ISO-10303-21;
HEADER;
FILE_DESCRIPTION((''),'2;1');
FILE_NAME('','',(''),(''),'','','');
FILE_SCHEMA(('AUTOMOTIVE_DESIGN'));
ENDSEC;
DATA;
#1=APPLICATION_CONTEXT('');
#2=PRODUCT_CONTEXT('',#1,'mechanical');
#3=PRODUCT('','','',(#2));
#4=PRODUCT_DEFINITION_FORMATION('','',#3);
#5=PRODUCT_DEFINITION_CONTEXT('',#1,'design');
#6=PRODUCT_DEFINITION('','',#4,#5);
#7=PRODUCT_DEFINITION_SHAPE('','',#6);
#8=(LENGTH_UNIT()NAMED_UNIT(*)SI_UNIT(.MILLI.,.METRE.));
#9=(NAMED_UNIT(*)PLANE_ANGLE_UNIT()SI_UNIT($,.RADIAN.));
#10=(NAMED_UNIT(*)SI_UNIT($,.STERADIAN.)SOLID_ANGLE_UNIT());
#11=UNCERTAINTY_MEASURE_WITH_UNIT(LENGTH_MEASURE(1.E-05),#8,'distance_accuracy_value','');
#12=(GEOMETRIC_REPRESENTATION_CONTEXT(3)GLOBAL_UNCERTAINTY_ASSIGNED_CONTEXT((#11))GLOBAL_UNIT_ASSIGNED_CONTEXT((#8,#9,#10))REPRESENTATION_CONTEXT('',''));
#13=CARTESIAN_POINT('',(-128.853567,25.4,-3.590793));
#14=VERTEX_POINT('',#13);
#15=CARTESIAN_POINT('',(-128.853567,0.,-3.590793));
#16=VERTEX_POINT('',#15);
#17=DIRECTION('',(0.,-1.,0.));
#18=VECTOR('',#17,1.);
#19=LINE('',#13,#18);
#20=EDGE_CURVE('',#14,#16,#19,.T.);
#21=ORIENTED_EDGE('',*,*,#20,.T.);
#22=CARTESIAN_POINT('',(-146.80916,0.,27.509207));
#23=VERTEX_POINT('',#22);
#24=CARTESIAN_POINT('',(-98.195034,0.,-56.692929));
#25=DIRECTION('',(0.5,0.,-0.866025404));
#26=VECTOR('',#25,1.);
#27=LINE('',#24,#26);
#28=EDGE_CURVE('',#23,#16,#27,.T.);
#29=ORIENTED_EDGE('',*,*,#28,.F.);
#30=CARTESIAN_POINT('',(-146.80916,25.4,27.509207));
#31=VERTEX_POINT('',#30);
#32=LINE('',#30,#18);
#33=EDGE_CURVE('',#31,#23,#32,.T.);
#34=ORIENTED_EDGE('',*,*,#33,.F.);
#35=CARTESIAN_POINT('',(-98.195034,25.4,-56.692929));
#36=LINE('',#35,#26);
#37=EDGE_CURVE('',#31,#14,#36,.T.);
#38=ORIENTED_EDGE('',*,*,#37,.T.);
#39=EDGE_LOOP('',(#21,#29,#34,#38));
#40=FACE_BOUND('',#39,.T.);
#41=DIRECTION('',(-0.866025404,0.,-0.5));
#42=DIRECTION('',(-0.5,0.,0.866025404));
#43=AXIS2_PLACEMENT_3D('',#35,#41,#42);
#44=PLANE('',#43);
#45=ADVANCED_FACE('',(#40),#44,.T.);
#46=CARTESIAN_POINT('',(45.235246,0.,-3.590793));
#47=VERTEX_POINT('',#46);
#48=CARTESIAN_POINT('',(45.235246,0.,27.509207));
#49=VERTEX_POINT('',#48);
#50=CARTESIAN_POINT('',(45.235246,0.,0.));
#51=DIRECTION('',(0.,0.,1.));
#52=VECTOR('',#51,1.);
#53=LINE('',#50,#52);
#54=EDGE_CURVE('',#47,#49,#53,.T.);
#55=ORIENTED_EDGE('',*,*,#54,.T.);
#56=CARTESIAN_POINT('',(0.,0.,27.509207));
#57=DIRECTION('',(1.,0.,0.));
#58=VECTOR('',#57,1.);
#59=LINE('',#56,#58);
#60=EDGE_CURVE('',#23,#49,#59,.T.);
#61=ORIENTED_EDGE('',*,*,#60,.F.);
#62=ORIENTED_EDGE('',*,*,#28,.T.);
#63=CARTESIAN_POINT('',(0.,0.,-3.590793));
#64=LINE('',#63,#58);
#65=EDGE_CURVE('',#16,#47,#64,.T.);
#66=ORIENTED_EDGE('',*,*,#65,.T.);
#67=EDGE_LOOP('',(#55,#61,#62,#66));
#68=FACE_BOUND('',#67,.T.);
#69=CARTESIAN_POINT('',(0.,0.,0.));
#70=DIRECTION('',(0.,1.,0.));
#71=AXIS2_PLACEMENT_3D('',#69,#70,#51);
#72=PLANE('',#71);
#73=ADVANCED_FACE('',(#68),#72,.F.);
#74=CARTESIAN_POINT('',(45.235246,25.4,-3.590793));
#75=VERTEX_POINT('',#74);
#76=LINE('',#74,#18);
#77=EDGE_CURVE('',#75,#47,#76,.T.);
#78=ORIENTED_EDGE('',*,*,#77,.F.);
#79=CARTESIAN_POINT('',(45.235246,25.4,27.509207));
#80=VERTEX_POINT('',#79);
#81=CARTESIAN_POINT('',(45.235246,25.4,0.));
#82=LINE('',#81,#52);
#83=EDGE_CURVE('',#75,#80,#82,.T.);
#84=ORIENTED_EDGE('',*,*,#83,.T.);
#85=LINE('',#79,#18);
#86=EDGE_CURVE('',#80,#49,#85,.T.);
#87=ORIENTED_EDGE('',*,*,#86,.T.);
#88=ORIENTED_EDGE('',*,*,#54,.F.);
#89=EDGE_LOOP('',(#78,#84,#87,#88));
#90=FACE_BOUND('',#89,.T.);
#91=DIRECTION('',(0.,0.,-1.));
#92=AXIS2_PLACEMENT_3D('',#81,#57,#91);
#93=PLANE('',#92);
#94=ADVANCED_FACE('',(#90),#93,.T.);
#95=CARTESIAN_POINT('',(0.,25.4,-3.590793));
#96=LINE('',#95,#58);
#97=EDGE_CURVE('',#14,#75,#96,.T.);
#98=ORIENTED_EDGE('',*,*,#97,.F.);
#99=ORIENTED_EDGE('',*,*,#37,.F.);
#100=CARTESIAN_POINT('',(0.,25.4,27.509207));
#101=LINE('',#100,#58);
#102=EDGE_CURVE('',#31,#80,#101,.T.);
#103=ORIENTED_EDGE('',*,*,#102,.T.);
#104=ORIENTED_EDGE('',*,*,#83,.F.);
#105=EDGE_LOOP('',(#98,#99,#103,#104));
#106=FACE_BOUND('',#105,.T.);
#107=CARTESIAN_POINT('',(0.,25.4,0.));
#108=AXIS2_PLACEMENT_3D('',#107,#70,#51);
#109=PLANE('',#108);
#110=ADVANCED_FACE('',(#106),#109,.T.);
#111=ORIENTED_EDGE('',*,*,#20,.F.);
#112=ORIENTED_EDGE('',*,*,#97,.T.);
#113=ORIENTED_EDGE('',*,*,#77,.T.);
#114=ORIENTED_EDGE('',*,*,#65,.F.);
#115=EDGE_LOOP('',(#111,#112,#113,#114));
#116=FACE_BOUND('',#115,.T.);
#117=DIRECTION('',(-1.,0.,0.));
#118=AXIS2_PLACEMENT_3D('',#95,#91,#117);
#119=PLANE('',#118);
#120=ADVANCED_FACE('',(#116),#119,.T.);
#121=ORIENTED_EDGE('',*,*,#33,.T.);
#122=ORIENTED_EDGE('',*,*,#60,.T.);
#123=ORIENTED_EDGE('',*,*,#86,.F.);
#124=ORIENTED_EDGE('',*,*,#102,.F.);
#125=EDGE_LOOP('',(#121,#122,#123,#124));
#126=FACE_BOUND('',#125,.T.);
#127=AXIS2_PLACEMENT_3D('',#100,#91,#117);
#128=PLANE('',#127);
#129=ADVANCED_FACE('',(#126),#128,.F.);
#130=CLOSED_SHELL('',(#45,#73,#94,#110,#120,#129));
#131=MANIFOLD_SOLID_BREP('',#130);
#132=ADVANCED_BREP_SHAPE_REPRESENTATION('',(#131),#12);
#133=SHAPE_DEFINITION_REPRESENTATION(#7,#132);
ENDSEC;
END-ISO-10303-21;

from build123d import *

# Parameters (mm, degrees)
BOSS_EXTRUDE1_DEPTH = 25.4


with BuildPart() as part:
    # Sketch1 → Boss-Extrude1 (new body)
    with BuildSketch(Plane(origin=(0, 0, 0), x_dir=(1, 0, 0), z_dir=(0, 1, 0))):
        Polygon((-128.853566931, 3.590792772), (-146.809160302, -27.509207228), (45.235246326, -27.509207228), (45.235246326, 3.590792772), align=None)
    extrude(amount=BOSS_EXTRUDE1_DEPTH)


solid = part.part
